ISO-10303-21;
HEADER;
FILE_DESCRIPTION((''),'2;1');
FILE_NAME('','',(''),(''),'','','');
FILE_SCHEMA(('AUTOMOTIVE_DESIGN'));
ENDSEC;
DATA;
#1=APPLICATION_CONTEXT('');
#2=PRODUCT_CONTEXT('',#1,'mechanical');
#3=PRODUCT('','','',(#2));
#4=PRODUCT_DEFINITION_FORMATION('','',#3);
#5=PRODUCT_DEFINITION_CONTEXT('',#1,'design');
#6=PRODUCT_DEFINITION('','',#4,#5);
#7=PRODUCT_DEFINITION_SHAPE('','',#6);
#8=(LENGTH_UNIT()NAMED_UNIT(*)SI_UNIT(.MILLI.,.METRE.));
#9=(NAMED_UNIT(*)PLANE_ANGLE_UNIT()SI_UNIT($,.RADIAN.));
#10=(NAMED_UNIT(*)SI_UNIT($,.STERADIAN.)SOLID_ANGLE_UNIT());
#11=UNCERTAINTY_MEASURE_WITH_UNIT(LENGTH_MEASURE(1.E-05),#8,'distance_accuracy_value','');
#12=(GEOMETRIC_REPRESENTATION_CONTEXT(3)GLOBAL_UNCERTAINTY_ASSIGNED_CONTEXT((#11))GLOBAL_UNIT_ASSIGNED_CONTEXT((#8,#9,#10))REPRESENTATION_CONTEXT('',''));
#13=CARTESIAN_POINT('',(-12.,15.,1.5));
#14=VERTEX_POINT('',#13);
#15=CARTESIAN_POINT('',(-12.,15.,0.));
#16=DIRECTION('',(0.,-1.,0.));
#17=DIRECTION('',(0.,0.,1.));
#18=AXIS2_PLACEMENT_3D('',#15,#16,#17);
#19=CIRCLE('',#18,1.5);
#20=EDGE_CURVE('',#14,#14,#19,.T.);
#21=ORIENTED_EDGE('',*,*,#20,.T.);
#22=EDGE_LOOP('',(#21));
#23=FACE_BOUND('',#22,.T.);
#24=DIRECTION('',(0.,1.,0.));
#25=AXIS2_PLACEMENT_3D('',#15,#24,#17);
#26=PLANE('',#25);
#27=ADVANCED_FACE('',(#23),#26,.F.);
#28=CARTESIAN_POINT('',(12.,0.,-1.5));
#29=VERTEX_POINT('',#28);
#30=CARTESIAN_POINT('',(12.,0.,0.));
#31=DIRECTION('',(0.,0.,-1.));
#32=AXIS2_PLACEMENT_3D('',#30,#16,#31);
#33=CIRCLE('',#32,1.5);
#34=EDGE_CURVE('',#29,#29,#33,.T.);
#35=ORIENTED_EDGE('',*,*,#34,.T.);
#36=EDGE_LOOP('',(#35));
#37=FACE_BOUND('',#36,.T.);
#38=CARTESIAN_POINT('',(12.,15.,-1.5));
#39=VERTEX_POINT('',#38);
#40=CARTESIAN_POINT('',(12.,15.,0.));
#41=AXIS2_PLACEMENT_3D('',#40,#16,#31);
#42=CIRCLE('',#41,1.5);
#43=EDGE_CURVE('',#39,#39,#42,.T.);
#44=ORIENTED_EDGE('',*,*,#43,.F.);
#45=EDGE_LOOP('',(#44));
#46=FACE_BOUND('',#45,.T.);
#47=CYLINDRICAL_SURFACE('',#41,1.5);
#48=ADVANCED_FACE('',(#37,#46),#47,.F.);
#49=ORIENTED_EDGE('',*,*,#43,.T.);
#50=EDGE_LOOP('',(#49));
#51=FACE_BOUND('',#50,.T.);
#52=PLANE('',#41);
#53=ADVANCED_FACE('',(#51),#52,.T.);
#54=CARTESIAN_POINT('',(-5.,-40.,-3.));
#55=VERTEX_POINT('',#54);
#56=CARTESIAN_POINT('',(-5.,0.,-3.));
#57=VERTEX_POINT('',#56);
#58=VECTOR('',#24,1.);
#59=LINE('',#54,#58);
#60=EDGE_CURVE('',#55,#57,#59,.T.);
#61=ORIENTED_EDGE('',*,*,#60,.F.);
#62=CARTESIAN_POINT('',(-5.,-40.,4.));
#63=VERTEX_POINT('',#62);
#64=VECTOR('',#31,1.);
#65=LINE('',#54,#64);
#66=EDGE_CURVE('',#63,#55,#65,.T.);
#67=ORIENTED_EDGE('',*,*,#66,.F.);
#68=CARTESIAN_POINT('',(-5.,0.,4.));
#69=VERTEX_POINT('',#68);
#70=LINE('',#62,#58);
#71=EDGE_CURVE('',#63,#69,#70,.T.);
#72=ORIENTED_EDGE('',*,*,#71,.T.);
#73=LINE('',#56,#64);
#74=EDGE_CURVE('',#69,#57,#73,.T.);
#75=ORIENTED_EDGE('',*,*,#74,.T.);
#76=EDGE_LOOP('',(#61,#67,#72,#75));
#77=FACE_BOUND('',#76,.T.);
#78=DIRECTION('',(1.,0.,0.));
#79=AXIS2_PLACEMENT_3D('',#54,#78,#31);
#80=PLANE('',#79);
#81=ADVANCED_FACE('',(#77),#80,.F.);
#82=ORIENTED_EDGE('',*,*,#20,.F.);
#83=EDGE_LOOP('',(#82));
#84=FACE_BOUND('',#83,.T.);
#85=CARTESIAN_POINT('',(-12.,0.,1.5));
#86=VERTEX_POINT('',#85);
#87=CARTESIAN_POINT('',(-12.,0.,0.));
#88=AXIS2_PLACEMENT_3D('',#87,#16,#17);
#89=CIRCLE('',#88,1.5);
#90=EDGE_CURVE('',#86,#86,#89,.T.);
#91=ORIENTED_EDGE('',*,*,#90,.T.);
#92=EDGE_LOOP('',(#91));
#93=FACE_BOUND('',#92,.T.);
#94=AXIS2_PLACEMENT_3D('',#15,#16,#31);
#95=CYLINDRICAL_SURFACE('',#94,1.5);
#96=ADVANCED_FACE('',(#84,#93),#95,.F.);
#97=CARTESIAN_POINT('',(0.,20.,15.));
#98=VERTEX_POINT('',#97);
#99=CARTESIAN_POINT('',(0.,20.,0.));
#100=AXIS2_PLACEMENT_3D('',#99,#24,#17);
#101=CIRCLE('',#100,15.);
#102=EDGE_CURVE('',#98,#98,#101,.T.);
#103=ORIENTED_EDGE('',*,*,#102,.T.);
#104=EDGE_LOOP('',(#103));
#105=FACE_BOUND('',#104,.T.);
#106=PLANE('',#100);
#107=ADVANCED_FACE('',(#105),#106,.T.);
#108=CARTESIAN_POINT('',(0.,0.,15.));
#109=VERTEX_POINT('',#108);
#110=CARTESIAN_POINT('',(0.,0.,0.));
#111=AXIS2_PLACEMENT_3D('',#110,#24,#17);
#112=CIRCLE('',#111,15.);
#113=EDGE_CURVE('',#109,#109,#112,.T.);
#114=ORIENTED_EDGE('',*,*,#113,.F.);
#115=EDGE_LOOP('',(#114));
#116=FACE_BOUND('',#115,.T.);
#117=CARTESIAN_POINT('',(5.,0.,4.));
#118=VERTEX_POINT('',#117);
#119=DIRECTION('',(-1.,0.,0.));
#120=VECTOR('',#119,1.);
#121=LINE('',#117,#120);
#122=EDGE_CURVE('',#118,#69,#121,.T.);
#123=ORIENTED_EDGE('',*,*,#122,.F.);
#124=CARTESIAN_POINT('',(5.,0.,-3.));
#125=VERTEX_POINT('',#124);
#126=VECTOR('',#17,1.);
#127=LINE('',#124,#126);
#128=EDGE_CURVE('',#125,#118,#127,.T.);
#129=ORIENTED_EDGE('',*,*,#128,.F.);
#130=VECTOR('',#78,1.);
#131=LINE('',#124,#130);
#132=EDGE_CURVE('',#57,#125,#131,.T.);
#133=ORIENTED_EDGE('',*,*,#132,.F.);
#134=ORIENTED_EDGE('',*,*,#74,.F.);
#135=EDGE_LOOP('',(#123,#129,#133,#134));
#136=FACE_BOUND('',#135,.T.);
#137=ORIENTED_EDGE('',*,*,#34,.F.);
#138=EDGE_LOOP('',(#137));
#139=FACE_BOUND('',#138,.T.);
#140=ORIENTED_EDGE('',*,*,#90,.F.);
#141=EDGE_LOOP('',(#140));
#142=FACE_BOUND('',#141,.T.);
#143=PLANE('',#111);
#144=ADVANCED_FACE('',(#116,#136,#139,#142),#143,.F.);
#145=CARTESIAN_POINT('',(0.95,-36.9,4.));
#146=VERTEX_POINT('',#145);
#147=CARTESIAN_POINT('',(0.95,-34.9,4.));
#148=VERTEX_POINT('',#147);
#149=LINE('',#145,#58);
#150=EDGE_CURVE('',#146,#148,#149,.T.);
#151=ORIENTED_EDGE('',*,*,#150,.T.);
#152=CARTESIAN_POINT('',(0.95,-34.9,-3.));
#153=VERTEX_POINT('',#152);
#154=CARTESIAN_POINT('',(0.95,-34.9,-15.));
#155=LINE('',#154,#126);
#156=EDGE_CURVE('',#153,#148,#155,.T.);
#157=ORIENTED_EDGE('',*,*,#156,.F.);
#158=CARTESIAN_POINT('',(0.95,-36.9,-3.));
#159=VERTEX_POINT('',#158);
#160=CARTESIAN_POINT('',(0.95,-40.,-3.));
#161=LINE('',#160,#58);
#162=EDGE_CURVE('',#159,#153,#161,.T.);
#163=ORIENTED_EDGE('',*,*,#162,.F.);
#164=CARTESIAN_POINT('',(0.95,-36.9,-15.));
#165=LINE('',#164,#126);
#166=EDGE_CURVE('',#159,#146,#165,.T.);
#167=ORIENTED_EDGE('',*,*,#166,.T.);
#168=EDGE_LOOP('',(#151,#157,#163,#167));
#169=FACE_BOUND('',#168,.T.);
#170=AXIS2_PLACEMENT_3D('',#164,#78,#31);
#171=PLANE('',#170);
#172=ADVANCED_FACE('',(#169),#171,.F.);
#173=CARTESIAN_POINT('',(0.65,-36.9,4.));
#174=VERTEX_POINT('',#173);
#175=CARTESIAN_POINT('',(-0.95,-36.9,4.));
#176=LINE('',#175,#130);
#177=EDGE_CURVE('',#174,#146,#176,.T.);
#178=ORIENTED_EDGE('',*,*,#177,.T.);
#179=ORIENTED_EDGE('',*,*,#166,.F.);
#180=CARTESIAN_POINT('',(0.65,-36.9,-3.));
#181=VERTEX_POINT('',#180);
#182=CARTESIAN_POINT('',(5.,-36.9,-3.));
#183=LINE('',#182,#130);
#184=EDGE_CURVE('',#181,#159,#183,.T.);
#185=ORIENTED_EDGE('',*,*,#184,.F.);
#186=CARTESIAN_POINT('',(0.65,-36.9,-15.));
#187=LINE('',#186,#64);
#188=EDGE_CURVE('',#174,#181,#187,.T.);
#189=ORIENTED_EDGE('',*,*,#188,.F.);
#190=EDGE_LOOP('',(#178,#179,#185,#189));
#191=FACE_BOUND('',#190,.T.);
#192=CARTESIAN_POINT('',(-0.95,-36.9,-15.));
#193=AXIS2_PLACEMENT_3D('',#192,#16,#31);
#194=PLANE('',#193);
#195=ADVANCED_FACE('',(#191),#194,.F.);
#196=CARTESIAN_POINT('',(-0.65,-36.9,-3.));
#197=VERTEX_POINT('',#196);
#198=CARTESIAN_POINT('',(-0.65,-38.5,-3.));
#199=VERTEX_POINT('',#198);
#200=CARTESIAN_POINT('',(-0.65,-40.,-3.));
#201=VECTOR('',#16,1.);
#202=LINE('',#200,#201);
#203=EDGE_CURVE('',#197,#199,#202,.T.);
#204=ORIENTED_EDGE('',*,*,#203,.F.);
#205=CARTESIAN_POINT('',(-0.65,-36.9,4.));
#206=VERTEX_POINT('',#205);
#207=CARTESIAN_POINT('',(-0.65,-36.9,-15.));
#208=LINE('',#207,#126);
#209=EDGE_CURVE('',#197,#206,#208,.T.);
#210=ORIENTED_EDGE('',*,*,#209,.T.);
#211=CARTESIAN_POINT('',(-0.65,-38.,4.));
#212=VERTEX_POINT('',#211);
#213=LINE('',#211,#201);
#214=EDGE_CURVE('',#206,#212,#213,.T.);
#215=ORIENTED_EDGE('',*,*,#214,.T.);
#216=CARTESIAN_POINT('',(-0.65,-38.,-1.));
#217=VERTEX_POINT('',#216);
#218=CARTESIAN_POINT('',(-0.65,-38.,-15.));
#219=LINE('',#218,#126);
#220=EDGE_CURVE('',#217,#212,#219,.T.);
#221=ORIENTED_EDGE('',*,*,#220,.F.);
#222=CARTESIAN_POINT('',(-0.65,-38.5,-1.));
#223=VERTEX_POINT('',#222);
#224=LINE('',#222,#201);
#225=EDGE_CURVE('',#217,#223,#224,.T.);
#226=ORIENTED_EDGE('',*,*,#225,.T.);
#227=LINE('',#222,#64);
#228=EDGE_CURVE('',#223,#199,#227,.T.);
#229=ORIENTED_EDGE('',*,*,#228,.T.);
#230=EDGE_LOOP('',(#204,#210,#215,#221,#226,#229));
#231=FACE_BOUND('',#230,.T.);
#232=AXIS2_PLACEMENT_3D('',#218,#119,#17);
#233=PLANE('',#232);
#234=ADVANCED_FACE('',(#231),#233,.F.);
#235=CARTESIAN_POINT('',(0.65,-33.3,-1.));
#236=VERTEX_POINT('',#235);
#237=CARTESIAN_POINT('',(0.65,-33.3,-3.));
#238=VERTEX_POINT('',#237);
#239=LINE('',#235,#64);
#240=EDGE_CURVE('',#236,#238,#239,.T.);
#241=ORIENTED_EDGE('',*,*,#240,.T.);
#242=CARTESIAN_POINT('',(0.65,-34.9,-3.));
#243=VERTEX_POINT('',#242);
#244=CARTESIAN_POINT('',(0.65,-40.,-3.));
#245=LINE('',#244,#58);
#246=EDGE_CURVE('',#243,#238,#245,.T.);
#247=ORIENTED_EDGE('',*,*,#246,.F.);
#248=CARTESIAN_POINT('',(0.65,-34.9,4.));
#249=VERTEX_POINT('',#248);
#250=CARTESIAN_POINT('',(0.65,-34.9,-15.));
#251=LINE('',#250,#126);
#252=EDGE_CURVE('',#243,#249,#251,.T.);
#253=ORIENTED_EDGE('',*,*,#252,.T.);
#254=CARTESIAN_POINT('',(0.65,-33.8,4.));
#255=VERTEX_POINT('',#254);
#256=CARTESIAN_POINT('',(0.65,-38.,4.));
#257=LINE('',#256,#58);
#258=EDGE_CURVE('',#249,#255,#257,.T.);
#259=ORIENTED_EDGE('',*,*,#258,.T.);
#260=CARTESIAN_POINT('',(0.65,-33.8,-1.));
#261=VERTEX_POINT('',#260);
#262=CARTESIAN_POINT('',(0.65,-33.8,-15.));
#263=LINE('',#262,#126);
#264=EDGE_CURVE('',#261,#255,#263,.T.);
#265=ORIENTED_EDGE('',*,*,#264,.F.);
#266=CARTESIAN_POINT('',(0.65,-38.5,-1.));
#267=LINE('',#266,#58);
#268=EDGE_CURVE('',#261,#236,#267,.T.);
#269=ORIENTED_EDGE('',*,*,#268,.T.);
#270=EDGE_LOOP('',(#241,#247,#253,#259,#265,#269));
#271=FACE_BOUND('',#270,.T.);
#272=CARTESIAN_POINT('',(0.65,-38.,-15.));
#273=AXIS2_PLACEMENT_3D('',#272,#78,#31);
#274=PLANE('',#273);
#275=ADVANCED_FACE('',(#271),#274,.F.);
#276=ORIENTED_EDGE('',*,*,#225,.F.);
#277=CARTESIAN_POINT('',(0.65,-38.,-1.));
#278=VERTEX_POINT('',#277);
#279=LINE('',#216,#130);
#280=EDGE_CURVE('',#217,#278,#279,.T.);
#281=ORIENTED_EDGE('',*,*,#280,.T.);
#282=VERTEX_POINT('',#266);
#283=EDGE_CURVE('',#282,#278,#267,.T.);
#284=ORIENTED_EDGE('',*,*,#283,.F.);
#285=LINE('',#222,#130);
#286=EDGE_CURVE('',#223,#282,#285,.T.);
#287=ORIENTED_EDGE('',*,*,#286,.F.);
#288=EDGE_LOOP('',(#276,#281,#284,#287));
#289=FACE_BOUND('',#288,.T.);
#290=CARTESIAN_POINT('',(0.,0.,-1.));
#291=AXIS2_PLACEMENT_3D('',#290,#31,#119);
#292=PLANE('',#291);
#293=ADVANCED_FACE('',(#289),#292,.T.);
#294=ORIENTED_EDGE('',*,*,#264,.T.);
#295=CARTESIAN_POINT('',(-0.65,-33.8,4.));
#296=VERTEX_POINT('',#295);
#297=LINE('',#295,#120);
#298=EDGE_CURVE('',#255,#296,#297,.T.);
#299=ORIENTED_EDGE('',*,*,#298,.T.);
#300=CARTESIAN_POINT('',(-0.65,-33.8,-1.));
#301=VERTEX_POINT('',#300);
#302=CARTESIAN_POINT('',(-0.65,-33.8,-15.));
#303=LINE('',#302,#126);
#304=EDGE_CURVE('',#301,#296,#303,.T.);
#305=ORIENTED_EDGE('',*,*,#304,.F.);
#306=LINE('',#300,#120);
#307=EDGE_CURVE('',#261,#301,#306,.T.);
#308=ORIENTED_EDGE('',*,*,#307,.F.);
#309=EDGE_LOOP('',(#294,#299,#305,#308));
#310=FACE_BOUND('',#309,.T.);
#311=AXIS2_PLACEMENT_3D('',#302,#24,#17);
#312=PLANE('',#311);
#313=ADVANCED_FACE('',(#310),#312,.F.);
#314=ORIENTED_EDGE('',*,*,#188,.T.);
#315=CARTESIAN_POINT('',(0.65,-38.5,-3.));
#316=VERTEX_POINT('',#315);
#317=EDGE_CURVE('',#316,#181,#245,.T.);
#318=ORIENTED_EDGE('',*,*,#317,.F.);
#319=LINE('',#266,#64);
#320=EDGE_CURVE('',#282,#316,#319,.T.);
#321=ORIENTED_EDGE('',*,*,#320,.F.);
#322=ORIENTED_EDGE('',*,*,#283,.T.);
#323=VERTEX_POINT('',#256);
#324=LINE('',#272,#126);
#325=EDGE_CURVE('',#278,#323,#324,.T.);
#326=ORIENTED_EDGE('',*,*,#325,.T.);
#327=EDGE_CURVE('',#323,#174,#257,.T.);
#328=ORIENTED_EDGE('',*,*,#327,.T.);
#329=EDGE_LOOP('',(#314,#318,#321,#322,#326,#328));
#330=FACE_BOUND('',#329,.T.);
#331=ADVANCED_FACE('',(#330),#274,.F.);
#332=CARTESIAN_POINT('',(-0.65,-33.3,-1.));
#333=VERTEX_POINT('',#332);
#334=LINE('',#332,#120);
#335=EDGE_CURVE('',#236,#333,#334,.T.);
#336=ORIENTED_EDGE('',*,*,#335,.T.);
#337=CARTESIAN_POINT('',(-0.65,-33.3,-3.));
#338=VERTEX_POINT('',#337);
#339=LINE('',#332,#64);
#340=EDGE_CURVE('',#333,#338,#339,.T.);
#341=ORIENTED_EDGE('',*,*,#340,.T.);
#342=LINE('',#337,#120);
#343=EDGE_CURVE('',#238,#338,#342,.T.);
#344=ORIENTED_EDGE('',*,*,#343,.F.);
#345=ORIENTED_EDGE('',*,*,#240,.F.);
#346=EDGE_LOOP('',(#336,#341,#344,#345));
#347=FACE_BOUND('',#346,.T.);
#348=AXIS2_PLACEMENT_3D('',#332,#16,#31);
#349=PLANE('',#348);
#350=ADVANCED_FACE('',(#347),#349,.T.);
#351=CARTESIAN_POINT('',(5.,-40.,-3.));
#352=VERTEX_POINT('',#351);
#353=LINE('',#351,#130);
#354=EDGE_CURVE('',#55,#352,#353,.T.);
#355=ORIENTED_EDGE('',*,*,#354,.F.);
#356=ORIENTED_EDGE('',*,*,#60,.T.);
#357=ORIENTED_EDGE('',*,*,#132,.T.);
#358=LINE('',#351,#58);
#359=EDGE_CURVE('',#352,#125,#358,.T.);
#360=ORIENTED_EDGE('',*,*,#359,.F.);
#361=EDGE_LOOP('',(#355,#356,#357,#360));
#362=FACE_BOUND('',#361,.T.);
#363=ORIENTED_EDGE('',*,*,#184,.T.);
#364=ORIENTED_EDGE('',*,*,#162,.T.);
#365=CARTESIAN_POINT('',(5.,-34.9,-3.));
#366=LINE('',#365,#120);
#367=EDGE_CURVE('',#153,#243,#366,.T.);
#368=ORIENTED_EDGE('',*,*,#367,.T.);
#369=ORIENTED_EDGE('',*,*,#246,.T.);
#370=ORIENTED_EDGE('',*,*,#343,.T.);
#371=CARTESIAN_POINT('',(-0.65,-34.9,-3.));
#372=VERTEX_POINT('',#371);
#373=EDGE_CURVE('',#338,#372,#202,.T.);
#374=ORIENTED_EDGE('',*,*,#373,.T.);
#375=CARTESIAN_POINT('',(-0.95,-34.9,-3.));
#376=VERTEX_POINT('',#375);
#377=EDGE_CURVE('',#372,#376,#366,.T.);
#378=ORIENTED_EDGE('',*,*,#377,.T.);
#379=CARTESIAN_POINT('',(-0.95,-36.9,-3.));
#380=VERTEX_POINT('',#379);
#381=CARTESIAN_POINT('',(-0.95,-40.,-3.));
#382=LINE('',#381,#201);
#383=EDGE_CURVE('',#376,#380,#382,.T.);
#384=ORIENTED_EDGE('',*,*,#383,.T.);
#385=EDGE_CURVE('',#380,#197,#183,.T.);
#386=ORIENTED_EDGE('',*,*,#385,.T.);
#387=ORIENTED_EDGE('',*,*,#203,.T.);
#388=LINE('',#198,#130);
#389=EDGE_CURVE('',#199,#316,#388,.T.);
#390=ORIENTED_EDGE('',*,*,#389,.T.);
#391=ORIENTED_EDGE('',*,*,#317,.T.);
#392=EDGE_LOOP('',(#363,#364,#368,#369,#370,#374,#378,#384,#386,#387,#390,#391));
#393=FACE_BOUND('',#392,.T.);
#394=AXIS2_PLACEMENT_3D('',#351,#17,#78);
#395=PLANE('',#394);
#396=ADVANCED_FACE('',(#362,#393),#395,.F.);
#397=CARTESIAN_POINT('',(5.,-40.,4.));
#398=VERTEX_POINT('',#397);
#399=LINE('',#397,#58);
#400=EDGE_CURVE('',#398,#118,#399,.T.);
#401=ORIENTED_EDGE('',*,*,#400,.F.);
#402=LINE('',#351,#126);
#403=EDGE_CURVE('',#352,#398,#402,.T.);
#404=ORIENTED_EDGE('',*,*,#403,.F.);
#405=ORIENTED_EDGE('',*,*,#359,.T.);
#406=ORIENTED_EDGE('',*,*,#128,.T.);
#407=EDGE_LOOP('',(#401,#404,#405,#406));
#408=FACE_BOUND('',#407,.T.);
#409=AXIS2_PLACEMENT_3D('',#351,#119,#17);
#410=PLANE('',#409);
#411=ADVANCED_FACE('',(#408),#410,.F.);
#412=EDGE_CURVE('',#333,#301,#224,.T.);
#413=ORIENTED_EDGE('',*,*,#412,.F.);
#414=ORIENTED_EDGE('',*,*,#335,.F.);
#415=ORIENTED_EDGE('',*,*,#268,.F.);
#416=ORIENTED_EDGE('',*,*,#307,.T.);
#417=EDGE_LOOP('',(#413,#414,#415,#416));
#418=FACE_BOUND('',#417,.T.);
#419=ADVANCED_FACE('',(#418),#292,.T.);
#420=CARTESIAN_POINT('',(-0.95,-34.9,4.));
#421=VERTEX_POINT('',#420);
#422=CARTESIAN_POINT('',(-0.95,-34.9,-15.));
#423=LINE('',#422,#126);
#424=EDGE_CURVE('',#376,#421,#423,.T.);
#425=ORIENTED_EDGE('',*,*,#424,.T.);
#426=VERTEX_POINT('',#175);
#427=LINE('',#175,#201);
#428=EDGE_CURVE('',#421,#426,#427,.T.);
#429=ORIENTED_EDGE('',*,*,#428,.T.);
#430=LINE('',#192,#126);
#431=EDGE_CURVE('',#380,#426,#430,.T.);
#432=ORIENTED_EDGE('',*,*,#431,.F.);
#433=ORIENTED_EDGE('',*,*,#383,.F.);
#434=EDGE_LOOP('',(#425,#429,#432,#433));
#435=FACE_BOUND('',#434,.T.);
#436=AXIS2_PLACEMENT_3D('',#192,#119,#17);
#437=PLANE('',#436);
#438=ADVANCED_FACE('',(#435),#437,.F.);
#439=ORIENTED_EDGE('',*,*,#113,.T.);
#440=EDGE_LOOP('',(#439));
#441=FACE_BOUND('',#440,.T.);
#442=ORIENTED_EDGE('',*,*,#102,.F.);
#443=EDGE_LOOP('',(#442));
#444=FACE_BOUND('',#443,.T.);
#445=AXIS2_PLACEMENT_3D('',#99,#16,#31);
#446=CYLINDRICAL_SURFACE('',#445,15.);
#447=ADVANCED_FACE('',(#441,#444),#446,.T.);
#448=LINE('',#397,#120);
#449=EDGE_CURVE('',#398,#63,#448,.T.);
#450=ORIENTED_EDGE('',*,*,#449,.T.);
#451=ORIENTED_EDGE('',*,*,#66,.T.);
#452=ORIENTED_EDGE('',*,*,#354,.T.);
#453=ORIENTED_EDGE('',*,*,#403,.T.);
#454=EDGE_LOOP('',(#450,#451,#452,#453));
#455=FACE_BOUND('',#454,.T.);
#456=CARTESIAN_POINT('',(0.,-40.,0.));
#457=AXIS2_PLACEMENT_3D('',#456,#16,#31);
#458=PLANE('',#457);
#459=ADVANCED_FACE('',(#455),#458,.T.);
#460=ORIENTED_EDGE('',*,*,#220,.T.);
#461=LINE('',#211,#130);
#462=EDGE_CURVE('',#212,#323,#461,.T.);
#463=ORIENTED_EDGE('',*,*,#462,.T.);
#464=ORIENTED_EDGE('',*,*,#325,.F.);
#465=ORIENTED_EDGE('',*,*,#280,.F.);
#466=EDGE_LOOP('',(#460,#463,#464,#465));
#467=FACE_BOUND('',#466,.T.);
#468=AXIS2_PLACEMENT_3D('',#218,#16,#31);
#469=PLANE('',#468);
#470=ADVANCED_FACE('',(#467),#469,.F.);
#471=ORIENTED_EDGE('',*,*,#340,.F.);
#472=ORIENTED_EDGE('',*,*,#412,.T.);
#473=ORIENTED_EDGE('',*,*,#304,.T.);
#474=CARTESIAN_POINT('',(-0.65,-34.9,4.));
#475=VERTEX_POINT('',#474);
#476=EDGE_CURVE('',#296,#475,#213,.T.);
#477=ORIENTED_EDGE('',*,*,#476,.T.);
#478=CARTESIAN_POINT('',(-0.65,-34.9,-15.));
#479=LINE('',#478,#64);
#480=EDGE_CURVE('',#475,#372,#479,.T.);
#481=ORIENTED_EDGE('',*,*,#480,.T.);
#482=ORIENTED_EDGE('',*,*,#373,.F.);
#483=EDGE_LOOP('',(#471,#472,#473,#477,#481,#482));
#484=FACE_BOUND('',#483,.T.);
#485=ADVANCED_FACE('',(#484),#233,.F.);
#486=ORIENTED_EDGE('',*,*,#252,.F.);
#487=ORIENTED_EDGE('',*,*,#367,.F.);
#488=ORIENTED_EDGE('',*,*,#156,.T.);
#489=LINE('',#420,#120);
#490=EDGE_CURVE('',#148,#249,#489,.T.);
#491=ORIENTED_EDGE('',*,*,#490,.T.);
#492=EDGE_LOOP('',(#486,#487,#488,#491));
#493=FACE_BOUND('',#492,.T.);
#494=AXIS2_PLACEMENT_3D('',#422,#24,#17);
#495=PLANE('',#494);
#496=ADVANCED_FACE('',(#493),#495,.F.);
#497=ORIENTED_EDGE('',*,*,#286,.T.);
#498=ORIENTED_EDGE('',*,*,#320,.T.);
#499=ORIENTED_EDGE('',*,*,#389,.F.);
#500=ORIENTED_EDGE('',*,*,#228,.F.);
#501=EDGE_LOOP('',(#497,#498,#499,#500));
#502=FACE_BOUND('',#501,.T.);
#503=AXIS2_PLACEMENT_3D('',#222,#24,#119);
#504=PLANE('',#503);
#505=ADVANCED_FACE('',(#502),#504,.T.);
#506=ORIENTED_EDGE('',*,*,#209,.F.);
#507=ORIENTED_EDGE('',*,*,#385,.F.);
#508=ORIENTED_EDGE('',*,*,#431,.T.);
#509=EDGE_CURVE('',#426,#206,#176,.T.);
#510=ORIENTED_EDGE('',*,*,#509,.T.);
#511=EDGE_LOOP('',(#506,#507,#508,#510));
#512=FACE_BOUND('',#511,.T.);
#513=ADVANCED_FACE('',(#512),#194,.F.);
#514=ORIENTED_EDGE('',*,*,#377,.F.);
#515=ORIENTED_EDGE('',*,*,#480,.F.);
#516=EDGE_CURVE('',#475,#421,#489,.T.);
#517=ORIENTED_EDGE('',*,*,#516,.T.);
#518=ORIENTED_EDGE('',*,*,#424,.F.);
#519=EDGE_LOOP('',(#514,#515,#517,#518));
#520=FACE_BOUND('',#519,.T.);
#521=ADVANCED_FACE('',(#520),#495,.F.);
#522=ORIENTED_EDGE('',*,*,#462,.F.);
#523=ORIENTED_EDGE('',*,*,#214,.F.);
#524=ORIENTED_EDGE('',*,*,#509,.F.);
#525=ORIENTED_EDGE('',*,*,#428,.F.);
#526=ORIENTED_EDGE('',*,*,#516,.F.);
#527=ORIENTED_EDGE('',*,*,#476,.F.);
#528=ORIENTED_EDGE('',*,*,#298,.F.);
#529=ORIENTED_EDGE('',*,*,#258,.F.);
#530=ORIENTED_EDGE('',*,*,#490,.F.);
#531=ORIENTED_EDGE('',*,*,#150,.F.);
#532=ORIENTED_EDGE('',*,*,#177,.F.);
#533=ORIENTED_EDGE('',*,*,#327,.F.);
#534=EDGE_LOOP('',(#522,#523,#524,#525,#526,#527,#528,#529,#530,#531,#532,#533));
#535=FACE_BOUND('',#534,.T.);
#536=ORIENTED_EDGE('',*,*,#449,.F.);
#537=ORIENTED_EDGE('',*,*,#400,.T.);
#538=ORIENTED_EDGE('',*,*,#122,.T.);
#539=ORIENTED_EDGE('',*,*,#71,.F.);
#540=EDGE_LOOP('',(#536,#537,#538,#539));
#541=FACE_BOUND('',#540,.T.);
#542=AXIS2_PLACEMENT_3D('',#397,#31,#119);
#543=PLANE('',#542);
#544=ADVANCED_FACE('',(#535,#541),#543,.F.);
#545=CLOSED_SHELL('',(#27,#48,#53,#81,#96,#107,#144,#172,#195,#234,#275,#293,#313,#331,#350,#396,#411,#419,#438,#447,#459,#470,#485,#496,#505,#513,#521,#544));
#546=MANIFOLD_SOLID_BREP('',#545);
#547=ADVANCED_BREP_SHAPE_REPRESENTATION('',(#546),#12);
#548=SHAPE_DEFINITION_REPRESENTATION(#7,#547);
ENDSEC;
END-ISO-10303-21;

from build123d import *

# Parameters (mm, degrees)
SKETCH_1_R          = 15
EXTRUDE_1_DEPTH     = 20
SKETCH_2_R          = 1.5
CUT_EXTRUDE_1_DEPTH = 15
SKETCH_3_W          = 10
SKETCH_3_H          = 7
EXTRUDE_2_DEPTH     = 40
SKETCH_4_W          = 1.3
SKETCH_4_H          = 4.2
CUT_EXTRUDE_2_DEPTH = 47.75467891
SKETCH_5_W          = 1.3
SKETCH_5_H          = 5.2
CUT_EXTRUDE_3_DEPTH = 2
SKETCH_6_W          = 1.9
SKETCH_6_H          = 2
CUT_EXTRUDE_4_DEPTH = 47.75467891


with BuildPart() as part:
    # 草图1 → 凸台-拉伸1 (new body)
    with BuildSketch(Plane(origin=(0, 0, 0), x_dir=(1, 0, 0), z_dir=(0, 1, 0))):
        with Locations(Location((0, 0, 0), (0, 0, 270))):
            Circle(SKETCH_1_R)
    extrude(amount=EXTRUDE_1_DEPTH)

    # 草图2 → 切除-拉伸1 (cut)
    with BuildSketch(Plane.XZ):
        with Locations(Location((12, 0, 0), (0, 0, 270))):
            Circle(SKETCH_2_R)
        with Locations(Location((-12, 0, 0), (0, 0, 90))):
            Circle(SKETCH_2_R)
    extrude(amount=-CUT_EXTRUDE_1_DEPTH, mode=Mode.SUBTRACT)

    # 草图3 → 凸台-拉伸2 (add)
    with BuildSketch(Plane.XZ):
        with Locations((0, 0.5)):
            Rectangle(SKETCH_3_W, SKETCH_3_H)
    extrude(amount=EXTRUDE_2_DEPTH)

    # 草图4 → 切除-拉伸2 (cut, through all)
    with BuildSketch(Plane.XY.offset(4)):
        with Locations((0, -35.9)):
            Rectangle(SKETCH_4_W, SKETCH_4_H)
    extrude(amount=-CUT_EXTRUDE_2_DEPTH, mode=Mode.SUBTRACT)

    # 草图5 → 切除-拉伸3 (cut)
    with BuildSketch(Plane.XY.offset(-3)):
        with Locations((0, -35.9)):
            Rectangle(SKETCH_5_W, SKETCH_5_H)
    extrude(amount=CUT_EXTRUDE_3_DEPTH, mode=Mode.SUBTRACT)

    # 草图6 → 切除-拉伸4 (cut, through all)
    with BuildSketch(Plane.XY.offset(4)):
        with Locations((0, -35.9)):
            Rectangle(SKETCH_6_W, SKETCH_6_H)
    extrude(amount=-CUT_EXTRUDE_4_DEPTH, mode=Mode.SUBTRACT)


solid = part.part
